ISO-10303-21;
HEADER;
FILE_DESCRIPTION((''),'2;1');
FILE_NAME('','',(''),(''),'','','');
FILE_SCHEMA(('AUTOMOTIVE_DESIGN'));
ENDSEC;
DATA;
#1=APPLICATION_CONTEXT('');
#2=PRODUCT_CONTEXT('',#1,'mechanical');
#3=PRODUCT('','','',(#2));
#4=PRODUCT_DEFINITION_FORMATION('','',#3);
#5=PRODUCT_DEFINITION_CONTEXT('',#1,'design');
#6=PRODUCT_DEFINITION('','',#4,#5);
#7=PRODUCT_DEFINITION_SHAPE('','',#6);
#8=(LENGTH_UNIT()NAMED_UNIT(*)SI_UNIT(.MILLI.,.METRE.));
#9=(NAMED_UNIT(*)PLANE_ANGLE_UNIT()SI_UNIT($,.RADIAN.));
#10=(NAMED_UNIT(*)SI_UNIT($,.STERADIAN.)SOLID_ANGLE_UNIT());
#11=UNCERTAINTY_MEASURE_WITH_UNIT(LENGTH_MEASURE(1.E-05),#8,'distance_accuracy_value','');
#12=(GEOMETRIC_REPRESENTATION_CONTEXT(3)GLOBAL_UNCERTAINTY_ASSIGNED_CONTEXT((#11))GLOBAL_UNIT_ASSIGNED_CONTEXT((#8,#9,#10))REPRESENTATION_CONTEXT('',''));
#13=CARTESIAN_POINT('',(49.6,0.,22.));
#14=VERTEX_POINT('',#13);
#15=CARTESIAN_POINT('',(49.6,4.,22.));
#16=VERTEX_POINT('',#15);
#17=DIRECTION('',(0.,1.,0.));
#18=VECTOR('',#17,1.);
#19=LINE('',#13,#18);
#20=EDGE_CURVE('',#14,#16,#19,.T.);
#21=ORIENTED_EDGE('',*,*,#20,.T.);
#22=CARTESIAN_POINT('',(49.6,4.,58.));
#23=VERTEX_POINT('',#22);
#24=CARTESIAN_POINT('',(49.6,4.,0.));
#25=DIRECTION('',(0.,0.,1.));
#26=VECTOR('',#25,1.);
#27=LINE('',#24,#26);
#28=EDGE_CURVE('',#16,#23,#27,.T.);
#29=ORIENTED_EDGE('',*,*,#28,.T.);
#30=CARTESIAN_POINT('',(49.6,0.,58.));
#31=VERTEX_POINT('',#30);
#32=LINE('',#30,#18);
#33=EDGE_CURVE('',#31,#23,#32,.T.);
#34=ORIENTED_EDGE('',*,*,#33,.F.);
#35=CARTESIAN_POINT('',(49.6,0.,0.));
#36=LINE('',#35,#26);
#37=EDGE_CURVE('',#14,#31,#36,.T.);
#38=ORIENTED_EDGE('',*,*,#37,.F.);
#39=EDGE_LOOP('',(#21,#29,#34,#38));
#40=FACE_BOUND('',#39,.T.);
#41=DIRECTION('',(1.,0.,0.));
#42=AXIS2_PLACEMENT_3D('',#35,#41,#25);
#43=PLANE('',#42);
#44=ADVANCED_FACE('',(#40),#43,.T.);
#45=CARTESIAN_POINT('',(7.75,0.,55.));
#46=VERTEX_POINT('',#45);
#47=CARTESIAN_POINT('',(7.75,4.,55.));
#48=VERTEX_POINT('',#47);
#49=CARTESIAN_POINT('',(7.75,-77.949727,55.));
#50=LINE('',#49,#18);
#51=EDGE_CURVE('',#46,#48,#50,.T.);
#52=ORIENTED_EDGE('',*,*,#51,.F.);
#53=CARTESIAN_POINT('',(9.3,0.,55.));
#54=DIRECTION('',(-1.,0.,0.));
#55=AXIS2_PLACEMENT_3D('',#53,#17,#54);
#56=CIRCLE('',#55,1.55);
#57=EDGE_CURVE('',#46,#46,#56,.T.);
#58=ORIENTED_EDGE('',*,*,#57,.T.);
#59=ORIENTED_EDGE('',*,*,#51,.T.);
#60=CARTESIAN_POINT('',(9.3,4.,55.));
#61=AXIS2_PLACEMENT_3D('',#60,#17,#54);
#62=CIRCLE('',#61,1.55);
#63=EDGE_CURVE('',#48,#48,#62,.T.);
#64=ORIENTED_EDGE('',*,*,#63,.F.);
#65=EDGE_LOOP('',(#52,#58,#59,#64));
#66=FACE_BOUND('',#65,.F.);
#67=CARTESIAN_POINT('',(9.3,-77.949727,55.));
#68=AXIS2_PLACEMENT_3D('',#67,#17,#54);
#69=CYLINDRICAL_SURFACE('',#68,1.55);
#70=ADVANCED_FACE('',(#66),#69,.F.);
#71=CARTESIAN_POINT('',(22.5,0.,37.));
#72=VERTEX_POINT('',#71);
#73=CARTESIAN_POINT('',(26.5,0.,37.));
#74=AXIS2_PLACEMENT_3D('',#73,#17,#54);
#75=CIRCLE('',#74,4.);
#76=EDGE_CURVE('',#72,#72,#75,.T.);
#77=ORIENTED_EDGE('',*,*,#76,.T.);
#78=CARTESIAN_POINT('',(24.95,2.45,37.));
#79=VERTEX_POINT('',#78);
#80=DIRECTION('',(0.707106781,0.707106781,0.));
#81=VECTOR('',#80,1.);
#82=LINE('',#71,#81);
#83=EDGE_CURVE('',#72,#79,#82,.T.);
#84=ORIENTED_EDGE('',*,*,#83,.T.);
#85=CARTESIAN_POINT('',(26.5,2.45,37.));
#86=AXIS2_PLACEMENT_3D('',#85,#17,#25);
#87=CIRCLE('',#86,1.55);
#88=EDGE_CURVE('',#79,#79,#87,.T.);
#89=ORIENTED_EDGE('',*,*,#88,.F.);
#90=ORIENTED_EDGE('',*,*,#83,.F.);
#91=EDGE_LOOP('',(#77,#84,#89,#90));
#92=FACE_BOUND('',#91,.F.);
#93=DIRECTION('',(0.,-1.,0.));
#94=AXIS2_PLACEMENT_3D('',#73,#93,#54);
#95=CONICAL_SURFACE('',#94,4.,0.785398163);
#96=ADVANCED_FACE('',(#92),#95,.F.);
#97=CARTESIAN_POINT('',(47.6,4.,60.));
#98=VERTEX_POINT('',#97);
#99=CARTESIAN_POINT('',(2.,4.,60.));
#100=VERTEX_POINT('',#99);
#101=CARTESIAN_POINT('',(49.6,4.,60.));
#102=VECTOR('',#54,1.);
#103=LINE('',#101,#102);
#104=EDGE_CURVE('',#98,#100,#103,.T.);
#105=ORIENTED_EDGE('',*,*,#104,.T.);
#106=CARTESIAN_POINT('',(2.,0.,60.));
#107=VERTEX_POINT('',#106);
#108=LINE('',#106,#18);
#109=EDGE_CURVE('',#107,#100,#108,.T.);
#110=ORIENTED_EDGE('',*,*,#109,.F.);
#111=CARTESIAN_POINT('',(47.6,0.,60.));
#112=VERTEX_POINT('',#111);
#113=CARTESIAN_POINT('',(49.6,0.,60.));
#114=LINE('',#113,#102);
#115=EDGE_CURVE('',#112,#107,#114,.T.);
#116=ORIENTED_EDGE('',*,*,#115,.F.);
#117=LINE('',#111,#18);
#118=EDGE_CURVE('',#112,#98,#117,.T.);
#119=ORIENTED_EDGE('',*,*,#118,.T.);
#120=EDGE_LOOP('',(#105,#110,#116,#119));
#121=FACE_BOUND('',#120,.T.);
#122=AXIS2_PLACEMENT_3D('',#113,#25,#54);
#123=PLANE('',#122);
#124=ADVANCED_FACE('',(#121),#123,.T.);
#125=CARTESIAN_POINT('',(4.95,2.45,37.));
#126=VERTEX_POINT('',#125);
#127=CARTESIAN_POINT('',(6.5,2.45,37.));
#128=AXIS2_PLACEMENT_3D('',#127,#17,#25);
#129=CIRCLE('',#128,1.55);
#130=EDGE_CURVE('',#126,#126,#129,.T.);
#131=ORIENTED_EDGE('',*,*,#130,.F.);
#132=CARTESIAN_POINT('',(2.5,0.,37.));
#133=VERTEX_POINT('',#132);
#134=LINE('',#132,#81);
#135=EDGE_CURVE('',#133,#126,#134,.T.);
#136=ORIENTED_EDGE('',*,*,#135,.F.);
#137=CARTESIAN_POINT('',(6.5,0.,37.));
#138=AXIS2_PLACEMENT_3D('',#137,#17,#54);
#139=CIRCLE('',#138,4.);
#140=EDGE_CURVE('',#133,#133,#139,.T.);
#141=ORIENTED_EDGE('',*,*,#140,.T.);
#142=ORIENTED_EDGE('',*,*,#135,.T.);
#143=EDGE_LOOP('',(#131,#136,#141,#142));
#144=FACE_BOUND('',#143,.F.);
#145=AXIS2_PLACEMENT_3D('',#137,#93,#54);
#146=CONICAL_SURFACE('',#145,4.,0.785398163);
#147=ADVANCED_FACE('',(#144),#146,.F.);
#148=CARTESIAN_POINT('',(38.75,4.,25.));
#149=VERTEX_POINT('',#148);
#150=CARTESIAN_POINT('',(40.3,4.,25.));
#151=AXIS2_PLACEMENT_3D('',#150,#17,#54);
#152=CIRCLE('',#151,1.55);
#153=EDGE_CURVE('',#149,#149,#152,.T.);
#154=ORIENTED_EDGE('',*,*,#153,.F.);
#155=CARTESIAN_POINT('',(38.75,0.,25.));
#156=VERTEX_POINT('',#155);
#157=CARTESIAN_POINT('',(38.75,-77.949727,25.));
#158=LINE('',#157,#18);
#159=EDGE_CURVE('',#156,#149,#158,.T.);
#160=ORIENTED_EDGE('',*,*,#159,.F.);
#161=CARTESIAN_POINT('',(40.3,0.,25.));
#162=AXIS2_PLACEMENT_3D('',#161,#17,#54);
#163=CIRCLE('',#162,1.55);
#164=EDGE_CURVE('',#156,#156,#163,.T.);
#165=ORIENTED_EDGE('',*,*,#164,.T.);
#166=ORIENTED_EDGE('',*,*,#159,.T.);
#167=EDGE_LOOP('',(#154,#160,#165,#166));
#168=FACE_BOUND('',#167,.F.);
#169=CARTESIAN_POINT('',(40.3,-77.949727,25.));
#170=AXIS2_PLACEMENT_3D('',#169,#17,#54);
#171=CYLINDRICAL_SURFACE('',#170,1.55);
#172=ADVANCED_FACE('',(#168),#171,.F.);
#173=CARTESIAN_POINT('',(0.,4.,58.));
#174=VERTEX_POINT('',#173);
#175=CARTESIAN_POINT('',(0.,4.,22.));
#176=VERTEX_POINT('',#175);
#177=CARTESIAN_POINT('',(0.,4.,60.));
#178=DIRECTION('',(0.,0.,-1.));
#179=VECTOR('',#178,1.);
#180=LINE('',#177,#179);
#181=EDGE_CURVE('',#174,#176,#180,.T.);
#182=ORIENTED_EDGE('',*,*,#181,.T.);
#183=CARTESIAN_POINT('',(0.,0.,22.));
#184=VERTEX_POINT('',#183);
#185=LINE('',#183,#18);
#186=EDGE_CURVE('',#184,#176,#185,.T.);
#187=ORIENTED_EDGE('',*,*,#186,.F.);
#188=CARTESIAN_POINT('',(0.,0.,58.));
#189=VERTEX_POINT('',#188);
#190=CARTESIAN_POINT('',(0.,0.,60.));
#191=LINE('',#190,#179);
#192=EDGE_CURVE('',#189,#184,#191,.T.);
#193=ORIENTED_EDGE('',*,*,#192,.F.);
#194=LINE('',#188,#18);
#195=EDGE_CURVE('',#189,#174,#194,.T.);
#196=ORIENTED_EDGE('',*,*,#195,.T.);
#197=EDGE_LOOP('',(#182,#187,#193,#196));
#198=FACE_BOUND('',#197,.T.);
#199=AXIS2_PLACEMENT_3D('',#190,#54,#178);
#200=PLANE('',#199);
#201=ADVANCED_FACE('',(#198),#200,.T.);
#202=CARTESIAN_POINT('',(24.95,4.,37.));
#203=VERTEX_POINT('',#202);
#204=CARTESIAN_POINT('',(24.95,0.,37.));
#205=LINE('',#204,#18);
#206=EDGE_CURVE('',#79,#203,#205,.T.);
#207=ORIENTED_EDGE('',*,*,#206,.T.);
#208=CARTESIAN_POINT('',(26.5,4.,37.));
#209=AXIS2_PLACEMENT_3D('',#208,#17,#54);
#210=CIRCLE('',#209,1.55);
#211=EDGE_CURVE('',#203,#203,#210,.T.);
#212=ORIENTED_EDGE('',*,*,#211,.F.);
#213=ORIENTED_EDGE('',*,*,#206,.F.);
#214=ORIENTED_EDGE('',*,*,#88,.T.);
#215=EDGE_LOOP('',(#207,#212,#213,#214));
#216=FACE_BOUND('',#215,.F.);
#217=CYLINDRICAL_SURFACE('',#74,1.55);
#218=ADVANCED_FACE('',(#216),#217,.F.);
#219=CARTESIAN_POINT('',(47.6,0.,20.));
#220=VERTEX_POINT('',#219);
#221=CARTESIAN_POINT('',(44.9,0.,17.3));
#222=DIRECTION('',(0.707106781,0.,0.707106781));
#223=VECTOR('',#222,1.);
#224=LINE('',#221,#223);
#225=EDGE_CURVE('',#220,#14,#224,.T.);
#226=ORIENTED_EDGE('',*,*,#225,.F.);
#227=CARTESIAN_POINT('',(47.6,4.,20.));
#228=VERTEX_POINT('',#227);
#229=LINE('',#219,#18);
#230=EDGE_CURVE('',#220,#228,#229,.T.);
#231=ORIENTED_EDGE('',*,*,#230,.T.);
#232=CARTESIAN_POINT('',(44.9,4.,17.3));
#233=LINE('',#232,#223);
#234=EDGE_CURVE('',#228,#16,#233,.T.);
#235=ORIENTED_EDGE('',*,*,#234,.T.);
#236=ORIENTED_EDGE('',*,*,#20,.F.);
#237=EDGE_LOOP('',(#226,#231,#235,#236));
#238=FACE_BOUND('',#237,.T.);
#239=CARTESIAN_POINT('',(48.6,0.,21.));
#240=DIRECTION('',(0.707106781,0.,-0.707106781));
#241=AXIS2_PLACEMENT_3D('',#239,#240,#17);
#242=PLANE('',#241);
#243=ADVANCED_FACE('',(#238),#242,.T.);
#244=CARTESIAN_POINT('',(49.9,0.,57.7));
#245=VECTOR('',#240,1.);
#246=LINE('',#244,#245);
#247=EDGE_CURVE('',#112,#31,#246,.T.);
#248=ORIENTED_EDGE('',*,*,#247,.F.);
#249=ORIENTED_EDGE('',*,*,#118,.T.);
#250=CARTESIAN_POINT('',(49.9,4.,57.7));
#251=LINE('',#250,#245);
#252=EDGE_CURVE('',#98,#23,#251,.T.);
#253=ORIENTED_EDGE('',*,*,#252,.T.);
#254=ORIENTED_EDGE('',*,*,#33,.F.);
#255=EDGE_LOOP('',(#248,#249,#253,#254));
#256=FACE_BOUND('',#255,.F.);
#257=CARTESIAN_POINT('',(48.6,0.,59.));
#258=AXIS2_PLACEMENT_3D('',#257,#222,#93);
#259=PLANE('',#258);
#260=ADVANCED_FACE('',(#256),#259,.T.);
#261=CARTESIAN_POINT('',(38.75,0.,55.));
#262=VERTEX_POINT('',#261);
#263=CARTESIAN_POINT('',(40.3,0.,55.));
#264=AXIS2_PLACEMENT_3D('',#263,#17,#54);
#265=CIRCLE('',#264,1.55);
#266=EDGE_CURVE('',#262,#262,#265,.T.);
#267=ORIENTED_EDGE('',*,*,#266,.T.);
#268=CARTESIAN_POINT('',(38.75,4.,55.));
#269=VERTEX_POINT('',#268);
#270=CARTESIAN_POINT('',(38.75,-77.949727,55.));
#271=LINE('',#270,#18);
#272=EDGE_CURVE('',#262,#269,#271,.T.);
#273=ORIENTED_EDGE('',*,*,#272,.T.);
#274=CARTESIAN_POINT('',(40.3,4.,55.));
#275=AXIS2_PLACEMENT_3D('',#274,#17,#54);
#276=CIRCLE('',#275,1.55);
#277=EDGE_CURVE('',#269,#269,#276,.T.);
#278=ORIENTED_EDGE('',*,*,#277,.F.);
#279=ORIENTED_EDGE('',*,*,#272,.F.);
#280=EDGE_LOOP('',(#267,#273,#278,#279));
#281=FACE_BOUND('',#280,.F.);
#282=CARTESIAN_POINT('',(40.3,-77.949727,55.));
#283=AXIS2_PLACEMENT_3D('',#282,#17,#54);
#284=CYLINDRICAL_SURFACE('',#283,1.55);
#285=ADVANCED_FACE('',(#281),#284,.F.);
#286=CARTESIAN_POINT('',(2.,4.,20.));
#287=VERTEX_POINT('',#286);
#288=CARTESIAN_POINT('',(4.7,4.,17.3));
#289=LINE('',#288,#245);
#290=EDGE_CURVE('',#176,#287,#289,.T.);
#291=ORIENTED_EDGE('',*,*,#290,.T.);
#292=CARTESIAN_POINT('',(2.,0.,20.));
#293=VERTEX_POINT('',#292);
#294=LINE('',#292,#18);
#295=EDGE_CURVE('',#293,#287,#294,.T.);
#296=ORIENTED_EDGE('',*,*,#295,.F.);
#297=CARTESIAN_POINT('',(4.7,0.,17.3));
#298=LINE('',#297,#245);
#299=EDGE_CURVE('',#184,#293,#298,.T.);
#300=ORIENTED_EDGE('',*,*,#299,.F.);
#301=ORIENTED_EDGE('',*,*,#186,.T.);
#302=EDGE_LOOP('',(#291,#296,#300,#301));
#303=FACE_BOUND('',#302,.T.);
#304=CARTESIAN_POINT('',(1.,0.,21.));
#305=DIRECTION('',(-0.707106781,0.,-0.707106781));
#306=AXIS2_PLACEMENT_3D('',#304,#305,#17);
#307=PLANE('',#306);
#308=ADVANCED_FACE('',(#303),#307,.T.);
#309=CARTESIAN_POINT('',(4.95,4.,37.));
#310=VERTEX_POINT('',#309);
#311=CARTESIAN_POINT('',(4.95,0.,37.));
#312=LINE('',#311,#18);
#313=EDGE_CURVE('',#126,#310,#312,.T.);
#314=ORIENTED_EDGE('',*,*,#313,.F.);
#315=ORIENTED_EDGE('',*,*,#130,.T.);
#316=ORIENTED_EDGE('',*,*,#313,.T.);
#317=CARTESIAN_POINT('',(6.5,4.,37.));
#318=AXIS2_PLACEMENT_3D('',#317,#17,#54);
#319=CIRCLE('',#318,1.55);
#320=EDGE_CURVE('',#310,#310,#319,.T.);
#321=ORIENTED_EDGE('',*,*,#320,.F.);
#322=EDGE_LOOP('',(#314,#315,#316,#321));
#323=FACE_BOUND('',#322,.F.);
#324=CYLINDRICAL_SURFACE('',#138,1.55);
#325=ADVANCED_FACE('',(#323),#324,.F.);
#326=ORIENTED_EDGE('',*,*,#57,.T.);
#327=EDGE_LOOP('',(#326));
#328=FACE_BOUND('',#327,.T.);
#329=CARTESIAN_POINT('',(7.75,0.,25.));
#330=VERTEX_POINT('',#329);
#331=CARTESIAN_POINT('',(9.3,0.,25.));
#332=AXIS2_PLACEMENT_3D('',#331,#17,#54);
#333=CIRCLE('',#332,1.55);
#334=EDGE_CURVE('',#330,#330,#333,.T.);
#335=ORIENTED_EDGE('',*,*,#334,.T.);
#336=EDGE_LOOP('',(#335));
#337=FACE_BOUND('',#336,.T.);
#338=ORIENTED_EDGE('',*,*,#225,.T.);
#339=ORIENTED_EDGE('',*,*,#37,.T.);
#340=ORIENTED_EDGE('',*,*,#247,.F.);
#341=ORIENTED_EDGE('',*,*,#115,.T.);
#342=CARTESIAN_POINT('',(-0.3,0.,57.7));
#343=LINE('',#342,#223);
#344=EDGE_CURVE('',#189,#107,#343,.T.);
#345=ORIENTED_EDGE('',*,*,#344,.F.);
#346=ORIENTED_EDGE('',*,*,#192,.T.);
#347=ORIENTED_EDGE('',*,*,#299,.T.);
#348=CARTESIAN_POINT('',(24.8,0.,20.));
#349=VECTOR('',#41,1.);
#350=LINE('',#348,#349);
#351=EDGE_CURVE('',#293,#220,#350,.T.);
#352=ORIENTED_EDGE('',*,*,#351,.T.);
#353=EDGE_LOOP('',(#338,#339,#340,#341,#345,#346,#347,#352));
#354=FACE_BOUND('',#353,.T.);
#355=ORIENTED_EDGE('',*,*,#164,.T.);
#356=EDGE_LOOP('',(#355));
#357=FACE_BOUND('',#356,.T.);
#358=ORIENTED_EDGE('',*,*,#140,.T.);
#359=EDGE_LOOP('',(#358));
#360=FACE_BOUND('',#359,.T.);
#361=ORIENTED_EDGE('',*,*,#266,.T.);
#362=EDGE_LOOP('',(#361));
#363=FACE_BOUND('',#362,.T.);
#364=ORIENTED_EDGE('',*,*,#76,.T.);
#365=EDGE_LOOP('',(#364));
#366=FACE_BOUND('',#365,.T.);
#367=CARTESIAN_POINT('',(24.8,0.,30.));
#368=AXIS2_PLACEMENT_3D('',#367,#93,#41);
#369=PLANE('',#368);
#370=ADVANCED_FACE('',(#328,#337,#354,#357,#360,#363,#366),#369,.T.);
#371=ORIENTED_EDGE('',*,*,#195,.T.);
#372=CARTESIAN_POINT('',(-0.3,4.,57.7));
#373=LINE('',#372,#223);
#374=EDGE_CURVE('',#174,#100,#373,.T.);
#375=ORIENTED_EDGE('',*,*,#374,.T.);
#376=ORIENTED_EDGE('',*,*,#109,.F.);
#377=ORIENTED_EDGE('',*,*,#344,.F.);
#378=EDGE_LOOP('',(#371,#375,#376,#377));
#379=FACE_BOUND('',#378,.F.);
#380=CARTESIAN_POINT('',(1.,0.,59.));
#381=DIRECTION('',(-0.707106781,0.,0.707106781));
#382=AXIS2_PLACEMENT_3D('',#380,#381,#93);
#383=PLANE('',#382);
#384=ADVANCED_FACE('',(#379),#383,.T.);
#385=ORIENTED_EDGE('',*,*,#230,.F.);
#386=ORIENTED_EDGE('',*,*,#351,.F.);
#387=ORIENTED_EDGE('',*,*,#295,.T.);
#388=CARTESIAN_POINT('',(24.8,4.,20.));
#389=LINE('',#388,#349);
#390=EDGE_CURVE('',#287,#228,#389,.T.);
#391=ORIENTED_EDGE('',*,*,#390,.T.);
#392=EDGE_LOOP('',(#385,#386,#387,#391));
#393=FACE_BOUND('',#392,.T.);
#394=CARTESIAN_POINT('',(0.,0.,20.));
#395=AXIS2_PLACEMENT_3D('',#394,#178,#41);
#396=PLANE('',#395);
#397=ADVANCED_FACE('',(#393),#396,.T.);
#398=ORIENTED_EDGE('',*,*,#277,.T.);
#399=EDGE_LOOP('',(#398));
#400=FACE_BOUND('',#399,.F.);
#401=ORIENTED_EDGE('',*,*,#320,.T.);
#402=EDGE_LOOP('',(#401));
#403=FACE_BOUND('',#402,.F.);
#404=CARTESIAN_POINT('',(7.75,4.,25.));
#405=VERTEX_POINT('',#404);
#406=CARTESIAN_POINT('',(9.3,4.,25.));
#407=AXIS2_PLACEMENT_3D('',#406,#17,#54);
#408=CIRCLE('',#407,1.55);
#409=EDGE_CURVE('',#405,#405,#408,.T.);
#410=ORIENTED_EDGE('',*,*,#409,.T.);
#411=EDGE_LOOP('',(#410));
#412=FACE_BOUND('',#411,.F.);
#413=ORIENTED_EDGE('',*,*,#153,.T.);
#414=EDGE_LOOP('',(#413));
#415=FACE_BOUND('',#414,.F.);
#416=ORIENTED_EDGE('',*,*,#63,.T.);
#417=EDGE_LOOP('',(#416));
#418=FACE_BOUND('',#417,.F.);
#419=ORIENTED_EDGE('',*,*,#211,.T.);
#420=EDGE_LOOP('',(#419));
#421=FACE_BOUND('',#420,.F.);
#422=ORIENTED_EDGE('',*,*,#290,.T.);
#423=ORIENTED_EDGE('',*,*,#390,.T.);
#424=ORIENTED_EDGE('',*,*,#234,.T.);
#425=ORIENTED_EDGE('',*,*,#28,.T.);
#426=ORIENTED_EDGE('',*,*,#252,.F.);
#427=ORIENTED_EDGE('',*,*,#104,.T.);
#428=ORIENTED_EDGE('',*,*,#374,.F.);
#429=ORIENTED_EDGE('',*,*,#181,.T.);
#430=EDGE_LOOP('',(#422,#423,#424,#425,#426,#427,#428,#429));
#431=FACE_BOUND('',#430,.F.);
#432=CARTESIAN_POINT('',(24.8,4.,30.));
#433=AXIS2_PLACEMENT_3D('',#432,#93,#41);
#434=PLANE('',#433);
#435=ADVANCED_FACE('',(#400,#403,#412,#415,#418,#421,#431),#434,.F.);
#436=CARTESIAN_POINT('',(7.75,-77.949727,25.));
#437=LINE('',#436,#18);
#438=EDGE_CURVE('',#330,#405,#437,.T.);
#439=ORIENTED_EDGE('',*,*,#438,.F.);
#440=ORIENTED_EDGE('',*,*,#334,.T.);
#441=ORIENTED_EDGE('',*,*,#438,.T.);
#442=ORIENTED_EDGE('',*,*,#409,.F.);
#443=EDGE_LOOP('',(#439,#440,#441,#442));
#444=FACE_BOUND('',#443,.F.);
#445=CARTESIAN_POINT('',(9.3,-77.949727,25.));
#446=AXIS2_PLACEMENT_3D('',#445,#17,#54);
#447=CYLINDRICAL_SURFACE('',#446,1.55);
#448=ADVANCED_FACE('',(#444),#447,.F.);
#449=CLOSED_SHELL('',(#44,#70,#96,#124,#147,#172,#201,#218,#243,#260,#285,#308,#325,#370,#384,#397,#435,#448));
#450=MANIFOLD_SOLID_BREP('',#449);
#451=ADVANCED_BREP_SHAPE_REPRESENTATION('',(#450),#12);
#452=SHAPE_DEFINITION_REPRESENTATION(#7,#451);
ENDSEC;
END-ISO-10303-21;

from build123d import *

# Parameters (mm, degrees)
F1_DEPTH       = 4
F2_D           = 3.1
F3_D           = 3.1
F3_CSINK_D     = 8
F3_CSINK_ANGLE = 90
F4_W           = 49.6
F4_H           = 20
F5_DEPTH       = 4
F6_SIZE        = 2


with BuildPart() as f1:
    # F0 (on Front) → F1 (new body)
    with BuildSketch(Plane.XZ):
        Polygon((0, 24.9760837853), (0, 0), (49.6, 0), (49.6, 60), (0, 60), (0, 34.9760837853), align=None)
    extrude(amount=-F1_DEPTH)

    # F2 (through all)
    with Locations(Plane.XZ):
        with Locations((9.3, 55), (40.3, 55), (9.3, 25), (40.3, 25)):
            Hole(F2_D / 2)

    # F3 (through all)
    with Locations(Plane.XZ):
        with Locations((6.5, 37), (26.5, 37)):
            CounterSinkHole(F3_D / 2, F3_CSINK_D / 2, counter_sink_angle=F3_CSINK_ANGLE)

    # F4 (on face) → F5 (cut, through all)
    with BuildSketch(Plane.XZ):
        with Locations((24.8, 10)):
            Rectangle(F4_W, F4_H)
    extrude(amount=-F5_DEPTH, mode=Mode.SUBTRACT)

    # F6
    f6_edges = [f1.edges().sort_by_distance(p)[0] for p in [
        (49.6, 2, 60),
        (49.6, 2, 20),
        (0, 2, 60),
        (0, 2, 20),
    ]]
    chamfer(f6_edges, length=F6_SIZE)


solid = f1.part
